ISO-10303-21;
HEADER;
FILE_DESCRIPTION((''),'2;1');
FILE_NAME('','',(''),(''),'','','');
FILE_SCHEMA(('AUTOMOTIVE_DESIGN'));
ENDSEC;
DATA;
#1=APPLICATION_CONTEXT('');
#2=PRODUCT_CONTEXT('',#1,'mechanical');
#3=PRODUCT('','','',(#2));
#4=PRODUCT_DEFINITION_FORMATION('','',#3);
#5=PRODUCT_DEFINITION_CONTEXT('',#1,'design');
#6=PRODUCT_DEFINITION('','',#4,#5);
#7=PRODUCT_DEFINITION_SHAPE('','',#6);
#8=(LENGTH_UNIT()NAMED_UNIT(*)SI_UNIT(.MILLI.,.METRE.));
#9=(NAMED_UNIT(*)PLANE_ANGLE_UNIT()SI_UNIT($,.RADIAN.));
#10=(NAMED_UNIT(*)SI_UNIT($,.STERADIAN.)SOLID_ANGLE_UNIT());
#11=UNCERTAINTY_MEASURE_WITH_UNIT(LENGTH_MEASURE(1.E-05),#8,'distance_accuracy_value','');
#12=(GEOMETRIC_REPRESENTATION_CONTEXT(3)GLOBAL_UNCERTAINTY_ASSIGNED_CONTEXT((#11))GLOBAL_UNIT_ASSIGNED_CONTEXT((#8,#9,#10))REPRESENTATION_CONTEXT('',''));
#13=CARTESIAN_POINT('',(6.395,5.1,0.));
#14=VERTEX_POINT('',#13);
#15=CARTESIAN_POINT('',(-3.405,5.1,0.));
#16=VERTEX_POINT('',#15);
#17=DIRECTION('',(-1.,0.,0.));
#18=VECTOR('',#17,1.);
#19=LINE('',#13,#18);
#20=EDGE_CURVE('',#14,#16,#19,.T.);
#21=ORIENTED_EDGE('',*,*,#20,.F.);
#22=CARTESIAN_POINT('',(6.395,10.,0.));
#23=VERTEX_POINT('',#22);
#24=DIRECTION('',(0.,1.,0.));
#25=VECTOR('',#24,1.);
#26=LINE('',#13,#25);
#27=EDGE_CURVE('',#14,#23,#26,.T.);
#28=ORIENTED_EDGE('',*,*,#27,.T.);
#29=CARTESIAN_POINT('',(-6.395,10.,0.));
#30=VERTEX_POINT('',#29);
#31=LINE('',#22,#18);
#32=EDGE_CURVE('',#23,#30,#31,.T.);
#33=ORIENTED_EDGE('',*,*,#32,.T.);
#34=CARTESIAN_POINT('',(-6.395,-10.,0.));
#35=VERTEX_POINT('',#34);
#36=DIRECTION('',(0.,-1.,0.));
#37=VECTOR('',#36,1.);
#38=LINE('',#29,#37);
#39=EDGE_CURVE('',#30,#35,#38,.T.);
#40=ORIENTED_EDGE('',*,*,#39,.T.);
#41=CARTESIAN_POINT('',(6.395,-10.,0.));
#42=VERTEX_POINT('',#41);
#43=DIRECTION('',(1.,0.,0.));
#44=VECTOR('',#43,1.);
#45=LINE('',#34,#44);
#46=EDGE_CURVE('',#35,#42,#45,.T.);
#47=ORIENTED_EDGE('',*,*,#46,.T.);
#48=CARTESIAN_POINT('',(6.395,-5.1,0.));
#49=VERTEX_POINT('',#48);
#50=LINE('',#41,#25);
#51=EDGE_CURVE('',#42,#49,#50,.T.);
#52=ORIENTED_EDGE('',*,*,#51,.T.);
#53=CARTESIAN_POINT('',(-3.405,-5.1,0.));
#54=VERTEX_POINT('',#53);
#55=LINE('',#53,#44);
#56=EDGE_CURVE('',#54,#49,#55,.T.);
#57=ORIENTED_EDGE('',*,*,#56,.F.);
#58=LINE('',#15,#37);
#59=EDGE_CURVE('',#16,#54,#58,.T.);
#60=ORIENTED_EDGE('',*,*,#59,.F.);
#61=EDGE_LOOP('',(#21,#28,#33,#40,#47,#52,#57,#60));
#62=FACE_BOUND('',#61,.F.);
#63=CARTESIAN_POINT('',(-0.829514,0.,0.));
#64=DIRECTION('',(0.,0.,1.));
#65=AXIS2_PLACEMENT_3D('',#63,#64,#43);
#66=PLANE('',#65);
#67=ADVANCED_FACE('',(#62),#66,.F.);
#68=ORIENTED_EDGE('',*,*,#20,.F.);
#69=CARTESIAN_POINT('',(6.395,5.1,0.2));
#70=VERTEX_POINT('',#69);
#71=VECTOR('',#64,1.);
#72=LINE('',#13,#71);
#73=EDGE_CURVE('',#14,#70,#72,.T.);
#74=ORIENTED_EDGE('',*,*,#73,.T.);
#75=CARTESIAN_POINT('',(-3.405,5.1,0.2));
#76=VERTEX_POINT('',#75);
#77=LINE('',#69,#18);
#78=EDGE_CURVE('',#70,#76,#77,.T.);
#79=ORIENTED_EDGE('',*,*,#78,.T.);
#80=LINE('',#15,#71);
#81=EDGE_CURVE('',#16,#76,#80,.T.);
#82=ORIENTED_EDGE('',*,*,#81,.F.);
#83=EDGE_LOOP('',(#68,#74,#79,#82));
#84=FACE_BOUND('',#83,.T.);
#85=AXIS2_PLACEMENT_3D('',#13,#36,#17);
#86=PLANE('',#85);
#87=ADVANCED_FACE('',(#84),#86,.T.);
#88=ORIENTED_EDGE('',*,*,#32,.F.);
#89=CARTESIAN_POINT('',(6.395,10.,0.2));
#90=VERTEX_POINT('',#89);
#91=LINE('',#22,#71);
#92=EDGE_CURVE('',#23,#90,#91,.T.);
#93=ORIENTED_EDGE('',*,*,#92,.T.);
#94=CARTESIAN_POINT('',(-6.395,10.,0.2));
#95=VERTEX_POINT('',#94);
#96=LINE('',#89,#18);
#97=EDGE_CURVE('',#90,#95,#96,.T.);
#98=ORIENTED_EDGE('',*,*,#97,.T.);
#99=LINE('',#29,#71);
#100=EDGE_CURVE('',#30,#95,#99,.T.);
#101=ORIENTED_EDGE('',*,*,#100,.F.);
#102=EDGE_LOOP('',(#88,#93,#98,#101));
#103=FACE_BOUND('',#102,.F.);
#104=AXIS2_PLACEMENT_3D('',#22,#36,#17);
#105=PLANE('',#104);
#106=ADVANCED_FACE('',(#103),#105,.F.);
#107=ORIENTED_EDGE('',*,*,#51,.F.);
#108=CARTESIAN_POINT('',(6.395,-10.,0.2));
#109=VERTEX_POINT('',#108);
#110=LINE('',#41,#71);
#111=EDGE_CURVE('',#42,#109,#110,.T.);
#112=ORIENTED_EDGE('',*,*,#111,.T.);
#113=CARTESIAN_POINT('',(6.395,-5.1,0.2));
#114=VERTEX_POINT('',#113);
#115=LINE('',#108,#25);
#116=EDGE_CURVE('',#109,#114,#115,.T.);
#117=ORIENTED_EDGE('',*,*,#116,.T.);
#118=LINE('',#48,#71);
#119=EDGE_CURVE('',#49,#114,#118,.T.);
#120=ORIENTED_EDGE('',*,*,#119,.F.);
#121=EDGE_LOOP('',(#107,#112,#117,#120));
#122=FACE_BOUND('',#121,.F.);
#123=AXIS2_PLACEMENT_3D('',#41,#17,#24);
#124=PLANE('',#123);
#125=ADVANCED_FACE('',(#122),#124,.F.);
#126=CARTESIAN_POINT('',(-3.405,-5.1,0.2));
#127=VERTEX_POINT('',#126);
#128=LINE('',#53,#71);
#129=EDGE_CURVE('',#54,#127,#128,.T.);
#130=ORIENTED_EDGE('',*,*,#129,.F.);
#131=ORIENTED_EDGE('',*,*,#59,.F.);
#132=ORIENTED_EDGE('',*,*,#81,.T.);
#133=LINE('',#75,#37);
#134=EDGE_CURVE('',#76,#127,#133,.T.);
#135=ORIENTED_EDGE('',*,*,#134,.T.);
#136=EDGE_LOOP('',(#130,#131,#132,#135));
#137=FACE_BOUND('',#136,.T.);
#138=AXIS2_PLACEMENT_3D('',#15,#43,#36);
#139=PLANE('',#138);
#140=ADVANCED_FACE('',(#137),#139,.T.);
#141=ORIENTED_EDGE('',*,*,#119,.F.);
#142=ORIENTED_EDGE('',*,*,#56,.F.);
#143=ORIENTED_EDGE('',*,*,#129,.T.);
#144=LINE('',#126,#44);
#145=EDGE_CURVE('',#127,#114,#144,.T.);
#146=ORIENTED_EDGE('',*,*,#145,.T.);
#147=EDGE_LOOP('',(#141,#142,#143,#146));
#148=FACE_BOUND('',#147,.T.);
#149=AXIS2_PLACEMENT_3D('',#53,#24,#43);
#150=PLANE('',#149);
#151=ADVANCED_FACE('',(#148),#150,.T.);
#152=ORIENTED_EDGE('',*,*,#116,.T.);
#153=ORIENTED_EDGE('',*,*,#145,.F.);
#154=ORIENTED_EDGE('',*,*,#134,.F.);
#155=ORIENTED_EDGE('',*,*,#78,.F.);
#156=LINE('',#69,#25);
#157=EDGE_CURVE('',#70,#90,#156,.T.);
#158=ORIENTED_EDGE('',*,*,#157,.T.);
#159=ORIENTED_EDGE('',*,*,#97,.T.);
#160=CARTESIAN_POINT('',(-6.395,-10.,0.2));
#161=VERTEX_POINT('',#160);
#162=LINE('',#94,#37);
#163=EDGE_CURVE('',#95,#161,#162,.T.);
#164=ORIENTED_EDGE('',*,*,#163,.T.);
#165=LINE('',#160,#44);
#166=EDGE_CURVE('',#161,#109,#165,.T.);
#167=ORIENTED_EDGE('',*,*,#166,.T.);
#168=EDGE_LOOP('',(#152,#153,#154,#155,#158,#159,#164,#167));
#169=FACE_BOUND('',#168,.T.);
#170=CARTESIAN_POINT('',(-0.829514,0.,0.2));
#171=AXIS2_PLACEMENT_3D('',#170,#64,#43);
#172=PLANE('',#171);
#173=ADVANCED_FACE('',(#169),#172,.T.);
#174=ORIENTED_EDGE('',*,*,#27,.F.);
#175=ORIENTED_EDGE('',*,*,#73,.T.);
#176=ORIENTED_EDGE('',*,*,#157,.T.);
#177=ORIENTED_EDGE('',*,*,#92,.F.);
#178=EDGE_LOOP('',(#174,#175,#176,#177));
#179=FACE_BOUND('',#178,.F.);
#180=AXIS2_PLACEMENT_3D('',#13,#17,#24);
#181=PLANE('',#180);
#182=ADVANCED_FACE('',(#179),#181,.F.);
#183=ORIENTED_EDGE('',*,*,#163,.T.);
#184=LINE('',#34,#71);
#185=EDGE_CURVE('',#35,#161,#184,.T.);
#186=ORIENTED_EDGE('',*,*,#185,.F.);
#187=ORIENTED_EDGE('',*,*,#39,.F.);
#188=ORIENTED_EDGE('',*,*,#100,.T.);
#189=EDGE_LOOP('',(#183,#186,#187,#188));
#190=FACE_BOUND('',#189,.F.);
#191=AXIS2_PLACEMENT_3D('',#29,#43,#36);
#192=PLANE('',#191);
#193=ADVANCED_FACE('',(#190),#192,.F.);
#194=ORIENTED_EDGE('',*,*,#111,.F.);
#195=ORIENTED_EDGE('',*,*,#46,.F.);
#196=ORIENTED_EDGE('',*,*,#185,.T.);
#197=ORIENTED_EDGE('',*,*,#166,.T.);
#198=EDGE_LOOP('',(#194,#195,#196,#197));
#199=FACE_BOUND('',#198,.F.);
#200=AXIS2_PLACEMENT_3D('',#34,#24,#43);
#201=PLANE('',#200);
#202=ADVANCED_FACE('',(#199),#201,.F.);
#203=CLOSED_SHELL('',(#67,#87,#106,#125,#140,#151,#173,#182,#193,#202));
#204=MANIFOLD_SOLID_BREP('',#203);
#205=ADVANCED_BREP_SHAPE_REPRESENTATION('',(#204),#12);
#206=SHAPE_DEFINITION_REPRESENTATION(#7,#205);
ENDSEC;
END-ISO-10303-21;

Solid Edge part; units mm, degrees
sketch "Sketch1" plane through (0, 0, 0) normal (0, 0, 1) x (1, 0, 0)
  line L0 (-6.395, -10) -> (6.395, -10)
  line L1 (6.395, -10) -> (6.395, -5.1)
  line L2 (-3.405, -5.1) -> (6.395, -5.1)
  line L3 (-3.405, 5.1) -> (-3.405, -5.1)
  line L4 (6.395, 5.1) -> (-3.405, 5.1)
  line L5 (6.395, 5.1) -> (6.395, 10)
  line L6 (6.395, 10) -> (-6.395, 10)
  line L7 (-6.395, 10) -> (-6.395, -10)
  dimension "D1" = 20
  dimension "D2" = 9.8
  dimension "D3" = 10.2
  dimension "D4" = 2.99
extrude "Protrusion1" add sketch "Sketch1" along normal blind 0.2
